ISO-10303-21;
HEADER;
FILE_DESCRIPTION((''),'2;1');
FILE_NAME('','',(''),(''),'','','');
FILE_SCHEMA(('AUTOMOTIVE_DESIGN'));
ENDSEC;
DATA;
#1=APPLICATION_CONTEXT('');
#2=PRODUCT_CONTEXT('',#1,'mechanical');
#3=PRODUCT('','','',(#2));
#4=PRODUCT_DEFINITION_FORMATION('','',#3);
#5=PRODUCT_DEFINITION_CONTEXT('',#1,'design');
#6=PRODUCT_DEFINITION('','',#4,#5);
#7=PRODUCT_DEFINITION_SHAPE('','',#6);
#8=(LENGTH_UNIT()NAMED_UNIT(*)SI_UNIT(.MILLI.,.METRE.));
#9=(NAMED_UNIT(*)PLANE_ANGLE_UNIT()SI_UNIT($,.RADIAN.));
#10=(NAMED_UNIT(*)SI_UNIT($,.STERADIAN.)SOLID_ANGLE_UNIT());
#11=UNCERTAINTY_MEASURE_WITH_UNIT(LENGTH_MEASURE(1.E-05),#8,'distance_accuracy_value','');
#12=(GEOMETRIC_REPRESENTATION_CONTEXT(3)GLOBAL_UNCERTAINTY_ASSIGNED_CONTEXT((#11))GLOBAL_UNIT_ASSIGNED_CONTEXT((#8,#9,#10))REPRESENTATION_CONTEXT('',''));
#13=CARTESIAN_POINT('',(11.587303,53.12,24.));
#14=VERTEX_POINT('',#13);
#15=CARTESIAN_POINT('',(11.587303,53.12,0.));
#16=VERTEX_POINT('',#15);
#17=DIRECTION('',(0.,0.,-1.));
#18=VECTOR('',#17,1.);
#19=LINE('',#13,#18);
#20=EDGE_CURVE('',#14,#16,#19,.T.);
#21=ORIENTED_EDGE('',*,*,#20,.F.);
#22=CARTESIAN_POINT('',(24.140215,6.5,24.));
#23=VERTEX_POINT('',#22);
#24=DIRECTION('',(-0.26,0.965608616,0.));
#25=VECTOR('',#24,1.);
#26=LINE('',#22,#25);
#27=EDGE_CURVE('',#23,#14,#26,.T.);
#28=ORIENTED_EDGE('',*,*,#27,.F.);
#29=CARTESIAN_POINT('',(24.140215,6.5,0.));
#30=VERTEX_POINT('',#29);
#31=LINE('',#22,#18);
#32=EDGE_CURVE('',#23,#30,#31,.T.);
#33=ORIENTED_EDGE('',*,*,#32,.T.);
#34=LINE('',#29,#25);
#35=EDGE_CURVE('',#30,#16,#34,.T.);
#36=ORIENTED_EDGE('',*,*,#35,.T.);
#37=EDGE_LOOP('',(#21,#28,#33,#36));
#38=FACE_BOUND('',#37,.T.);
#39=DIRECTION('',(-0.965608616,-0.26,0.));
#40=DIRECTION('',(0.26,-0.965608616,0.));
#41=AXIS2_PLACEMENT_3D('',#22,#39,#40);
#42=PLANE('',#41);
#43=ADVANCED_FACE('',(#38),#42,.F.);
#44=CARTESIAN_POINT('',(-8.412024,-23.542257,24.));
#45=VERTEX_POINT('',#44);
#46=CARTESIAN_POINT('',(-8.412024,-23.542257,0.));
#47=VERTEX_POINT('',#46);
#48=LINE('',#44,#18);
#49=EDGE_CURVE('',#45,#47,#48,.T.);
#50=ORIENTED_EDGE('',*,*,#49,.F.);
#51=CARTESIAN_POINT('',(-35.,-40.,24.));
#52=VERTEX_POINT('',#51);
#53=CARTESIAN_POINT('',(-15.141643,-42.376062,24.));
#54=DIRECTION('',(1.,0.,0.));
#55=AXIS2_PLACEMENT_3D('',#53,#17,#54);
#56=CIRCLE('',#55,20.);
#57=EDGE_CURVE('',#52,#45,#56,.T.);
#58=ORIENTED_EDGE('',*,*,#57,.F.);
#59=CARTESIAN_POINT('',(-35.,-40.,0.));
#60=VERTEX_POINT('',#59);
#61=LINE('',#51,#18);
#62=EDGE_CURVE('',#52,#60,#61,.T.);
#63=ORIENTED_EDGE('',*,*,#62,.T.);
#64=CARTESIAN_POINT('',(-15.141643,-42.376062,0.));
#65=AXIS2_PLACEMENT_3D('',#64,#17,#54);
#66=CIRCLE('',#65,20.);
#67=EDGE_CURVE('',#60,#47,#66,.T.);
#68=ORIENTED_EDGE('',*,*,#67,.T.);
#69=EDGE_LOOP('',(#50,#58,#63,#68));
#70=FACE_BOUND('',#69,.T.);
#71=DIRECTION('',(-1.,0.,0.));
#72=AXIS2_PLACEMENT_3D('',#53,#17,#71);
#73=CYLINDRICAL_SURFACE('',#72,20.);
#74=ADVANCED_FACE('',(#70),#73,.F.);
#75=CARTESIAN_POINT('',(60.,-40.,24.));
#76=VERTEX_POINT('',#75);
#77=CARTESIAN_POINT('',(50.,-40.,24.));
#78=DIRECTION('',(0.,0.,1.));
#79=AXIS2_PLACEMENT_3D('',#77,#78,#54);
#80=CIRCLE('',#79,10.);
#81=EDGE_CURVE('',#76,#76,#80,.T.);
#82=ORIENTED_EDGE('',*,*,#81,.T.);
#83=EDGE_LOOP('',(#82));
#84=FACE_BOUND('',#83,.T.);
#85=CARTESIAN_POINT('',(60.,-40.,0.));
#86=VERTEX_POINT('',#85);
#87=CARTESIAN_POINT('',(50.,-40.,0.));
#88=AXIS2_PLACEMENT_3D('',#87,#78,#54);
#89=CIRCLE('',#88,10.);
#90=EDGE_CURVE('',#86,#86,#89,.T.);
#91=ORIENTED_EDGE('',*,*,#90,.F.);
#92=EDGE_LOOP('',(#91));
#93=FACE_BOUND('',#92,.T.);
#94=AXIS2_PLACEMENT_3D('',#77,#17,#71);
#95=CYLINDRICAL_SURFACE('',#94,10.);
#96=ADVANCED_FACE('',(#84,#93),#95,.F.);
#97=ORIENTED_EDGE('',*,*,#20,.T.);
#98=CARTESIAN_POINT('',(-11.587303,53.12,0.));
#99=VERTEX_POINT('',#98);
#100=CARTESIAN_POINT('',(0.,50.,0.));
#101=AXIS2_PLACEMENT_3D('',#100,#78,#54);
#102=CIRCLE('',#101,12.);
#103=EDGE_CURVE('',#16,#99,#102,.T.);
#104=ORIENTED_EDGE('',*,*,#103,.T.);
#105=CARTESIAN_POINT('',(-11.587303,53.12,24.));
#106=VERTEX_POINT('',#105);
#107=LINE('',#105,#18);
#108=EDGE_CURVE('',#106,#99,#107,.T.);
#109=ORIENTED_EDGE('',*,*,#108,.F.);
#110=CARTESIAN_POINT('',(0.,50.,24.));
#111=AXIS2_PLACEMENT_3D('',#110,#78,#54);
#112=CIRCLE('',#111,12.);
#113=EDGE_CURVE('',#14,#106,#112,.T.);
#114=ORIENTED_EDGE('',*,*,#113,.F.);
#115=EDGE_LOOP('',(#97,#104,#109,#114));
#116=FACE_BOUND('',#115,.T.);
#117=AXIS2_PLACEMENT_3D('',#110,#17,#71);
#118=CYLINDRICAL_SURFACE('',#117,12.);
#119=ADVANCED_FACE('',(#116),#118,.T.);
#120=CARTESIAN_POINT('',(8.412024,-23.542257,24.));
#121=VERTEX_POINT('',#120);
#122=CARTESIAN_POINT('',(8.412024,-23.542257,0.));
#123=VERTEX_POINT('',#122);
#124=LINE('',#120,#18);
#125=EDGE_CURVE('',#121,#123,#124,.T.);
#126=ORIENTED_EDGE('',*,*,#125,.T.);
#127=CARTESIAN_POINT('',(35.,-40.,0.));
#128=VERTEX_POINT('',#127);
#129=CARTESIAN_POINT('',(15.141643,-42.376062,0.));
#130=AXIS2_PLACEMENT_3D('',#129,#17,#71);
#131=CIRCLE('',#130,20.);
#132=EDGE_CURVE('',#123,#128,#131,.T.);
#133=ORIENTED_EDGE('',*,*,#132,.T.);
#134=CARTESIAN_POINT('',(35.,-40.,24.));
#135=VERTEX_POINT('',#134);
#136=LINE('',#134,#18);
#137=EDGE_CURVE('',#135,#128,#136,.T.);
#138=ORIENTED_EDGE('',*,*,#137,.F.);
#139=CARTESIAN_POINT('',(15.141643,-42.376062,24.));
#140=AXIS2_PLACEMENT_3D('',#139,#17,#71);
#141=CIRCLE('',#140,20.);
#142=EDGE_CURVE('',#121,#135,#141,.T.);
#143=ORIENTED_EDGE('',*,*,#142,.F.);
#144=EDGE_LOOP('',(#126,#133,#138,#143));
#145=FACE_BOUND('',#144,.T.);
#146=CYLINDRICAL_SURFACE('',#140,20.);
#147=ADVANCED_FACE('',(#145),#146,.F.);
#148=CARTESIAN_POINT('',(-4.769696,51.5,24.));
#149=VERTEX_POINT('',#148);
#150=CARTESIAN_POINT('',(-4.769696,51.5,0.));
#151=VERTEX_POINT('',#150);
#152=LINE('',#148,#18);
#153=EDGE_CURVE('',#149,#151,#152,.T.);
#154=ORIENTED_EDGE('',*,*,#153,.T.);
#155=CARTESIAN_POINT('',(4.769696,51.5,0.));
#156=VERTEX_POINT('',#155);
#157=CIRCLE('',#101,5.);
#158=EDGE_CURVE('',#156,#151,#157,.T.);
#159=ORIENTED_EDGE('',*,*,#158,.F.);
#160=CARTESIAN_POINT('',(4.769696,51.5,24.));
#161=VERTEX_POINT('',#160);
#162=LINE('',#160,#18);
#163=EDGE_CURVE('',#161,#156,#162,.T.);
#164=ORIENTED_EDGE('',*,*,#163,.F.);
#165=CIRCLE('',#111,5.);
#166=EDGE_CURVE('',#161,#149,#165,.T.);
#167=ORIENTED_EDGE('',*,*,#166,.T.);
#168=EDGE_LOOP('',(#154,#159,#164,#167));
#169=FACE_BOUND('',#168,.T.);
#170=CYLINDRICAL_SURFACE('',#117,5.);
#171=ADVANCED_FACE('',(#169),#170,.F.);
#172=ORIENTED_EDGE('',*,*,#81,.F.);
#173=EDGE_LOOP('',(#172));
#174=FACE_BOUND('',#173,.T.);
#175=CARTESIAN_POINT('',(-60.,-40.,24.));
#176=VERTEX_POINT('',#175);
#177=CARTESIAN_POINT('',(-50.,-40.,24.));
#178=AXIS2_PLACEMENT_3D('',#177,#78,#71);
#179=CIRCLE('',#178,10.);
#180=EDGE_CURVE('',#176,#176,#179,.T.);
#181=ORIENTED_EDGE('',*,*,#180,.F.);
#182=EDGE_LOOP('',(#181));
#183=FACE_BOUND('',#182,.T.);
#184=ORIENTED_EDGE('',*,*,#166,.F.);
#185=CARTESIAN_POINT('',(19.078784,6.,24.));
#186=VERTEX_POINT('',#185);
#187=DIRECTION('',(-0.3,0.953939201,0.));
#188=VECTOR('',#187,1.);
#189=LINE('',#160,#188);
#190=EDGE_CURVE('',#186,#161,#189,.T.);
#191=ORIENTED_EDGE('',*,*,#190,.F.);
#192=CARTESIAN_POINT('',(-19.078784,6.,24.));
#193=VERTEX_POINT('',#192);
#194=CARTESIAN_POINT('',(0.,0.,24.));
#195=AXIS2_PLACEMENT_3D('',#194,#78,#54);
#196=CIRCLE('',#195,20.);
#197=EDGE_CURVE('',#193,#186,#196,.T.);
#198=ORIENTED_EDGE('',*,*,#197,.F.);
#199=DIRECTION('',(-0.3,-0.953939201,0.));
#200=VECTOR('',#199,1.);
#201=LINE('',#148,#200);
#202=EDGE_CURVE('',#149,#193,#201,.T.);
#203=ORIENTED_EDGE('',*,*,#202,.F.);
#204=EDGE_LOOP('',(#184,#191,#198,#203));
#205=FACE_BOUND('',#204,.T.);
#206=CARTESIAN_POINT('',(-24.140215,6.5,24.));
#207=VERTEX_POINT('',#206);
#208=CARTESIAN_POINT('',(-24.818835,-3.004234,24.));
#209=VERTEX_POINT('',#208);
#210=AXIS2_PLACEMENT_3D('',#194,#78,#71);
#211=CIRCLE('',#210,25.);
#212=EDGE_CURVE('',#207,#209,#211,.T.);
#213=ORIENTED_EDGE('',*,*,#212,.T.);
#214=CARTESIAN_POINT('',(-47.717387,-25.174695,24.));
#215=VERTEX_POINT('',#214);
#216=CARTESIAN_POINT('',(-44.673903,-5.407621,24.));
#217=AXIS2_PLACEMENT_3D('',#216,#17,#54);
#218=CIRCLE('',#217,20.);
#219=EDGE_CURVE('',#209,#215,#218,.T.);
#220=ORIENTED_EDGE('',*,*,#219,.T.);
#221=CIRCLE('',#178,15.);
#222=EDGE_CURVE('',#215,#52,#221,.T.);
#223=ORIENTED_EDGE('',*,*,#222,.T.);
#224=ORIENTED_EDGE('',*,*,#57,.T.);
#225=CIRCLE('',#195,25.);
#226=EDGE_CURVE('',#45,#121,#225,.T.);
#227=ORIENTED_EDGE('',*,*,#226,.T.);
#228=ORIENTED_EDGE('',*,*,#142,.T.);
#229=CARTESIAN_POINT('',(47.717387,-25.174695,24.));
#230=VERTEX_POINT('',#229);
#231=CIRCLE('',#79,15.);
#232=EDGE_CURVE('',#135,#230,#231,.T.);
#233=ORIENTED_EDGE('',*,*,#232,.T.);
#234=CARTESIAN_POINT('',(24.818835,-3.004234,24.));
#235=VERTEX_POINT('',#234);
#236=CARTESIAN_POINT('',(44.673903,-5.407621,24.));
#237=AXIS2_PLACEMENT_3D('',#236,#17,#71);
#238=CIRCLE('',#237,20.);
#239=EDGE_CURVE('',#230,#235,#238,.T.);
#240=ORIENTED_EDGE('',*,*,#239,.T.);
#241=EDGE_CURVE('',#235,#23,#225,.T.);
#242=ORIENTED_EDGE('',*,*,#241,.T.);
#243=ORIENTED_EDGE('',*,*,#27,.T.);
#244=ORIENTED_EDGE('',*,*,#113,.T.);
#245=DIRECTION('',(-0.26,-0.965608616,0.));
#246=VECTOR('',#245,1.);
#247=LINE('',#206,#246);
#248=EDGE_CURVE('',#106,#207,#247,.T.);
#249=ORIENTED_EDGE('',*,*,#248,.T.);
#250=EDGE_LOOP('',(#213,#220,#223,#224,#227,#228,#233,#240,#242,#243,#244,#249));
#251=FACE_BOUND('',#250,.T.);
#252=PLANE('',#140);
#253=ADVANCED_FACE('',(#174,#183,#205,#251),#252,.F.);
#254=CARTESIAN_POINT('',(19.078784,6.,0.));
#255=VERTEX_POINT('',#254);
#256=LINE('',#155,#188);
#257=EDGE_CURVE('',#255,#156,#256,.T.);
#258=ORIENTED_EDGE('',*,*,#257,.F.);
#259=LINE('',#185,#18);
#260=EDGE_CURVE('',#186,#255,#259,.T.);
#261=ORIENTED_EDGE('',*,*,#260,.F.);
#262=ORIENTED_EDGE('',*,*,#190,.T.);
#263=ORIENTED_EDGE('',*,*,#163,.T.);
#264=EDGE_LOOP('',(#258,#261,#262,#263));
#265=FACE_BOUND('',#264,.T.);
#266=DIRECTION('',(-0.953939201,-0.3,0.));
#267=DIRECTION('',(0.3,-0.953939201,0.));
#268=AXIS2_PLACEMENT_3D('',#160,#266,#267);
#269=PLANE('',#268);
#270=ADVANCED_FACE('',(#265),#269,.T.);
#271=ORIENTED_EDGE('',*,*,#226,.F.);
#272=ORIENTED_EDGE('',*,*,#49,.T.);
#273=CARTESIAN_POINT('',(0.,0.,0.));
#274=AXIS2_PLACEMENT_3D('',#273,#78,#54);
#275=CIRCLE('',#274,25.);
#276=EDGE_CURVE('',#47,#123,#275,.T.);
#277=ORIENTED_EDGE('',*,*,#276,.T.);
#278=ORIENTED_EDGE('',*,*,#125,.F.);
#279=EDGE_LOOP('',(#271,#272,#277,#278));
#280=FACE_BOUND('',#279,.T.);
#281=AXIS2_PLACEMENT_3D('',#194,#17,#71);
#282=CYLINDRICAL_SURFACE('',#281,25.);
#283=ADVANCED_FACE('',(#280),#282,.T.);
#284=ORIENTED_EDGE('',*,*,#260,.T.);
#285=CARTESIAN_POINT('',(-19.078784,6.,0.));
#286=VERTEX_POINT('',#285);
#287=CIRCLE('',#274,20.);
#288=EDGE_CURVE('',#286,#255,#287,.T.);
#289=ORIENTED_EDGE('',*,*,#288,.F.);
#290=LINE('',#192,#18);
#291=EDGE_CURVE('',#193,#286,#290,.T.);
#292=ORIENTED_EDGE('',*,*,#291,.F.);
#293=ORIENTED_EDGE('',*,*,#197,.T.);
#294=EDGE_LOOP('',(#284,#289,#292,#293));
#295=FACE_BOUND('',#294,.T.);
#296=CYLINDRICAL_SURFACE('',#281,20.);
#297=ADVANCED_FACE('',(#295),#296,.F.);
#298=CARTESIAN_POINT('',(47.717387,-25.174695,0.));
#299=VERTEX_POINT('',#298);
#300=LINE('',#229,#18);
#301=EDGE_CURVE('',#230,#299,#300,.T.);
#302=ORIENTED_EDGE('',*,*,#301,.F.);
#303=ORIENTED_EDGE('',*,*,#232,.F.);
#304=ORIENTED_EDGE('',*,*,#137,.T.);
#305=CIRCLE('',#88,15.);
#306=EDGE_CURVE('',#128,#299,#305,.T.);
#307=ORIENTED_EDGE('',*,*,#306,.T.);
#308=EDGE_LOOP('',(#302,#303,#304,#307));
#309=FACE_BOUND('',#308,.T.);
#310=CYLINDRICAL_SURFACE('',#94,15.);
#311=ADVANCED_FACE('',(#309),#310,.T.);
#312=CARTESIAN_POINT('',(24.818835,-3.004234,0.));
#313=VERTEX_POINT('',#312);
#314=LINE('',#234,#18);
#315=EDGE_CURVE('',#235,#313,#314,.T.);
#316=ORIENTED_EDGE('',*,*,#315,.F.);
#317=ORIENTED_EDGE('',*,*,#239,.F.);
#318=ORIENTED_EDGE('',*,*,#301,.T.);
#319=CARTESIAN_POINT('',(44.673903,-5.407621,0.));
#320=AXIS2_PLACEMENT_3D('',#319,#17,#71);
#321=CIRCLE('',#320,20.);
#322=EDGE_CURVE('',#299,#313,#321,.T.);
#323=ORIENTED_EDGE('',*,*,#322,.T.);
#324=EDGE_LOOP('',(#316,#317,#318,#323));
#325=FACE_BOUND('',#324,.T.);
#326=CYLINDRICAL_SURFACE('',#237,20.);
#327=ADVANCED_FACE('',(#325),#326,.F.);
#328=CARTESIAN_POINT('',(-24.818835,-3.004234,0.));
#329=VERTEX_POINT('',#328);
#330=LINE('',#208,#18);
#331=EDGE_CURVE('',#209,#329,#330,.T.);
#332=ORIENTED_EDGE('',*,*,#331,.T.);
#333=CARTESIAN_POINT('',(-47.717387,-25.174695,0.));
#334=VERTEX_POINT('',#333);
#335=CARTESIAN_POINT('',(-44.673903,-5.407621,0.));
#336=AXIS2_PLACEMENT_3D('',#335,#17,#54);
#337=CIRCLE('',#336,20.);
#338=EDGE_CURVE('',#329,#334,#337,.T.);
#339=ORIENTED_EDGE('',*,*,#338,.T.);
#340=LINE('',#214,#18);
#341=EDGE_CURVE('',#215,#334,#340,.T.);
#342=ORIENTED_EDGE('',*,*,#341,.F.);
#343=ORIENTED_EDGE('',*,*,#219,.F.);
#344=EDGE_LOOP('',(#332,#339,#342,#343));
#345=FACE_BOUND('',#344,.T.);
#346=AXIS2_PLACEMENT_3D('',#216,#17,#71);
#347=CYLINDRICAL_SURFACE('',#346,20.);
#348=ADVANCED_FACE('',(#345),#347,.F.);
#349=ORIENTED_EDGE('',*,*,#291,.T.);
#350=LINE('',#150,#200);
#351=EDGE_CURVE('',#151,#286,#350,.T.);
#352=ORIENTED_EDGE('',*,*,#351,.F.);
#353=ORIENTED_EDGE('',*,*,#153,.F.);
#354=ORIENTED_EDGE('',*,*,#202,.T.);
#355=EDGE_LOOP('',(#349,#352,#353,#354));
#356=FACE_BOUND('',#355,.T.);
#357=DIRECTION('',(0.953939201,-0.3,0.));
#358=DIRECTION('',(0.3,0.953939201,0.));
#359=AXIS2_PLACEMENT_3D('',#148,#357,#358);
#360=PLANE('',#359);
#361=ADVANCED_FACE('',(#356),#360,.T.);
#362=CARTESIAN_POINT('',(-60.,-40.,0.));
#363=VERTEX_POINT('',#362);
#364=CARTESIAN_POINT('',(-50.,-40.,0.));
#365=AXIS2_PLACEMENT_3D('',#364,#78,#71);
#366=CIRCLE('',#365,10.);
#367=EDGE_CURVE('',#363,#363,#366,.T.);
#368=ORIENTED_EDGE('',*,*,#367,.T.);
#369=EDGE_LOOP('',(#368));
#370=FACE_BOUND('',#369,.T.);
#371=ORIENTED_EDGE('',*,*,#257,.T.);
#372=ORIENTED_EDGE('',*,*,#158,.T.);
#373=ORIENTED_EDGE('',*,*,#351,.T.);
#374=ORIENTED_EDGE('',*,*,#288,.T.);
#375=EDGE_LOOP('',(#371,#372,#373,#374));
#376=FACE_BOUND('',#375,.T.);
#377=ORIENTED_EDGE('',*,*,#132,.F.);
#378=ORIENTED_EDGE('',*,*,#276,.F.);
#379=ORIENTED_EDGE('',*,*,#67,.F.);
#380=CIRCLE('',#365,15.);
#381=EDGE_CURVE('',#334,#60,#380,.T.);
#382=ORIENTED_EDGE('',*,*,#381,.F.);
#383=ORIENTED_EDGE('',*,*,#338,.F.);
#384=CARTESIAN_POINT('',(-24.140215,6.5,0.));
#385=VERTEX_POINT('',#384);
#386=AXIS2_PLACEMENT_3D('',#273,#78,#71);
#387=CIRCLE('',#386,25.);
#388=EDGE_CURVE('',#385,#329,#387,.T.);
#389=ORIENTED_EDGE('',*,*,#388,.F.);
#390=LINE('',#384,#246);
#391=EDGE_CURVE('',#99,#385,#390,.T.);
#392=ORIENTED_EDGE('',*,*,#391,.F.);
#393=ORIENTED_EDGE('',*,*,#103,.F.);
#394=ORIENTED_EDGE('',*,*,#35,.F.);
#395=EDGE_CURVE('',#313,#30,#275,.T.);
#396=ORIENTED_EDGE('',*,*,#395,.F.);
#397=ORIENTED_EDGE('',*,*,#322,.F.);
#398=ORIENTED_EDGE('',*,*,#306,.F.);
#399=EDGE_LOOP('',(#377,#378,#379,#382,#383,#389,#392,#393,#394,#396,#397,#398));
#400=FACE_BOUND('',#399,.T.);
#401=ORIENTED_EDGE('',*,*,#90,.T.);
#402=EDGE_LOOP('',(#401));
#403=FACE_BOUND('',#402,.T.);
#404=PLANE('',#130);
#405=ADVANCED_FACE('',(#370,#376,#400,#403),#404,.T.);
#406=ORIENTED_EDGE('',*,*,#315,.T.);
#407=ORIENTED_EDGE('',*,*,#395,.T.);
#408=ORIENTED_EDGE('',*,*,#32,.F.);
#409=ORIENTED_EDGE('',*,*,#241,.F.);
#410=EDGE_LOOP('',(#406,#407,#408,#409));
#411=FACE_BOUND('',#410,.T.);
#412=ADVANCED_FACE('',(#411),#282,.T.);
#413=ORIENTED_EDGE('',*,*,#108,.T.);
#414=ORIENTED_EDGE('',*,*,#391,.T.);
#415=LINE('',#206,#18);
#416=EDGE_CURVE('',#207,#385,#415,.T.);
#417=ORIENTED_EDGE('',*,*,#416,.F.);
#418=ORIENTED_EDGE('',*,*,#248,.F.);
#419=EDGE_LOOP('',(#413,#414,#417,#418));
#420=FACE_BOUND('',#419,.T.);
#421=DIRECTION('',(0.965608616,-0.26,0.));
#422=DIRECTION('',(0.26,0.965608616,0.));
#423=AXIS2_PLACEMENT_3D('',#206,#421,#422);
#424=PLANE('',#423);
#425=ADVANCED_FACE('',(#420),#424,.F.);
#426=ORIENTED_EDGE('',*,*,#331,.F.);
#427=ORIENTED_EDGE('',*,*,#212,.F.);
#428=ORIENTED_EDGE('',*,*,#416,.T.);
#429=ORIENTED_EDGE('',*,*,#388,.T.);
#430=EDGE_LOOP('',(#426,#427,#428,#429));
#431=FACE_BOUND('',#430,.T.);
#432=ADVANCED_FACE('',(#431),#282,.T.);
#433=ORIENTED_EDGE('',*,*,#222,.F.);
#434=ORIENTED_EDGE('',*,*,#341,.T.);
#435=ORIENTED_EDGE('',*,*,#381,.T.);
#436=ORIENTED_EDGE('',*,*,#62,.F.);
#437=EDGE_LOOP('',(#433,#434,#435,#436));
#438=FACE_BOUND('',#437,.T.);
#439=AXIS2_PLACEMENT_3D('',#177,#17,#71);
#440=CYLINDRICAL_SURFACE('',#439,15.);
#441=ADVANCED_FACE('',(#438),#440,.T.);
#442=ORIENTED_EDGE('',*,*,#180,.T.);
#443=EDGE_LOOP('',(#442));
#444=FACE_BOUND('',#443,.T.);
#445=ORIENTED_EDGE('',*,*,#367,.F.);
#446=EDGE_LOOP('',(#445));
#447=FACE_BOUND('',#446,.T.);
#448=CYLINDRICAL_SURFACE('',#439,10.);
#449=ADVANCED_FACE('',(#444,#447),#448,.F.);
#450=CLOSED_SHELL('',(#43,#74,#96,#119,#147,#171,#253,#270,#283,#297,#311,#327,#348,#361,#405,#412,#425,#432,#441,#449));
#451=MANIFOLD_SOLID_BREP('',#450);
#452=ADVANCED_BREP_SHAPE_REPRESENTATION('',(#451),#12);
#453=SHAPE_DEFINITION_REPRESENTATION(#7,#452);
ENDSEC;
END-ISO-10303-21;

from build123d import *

# Parameters (mm, degrees)
SKETCH1_R           = 10
BOSS_EXTRUDE1_DEPTH = 24


with BuildPart() as part:
    # Sketch1 → Boss-Extrude1 (new body)
    with BuildSketch(Plane.XY):
        with BuildLine():
            Line((24.140215409, 6.5), (11.587303396, 53.12))
            ThreePointArc((11.587303396, 53.12), (0, 62), (-11.587303396, 53.12))
            Line((-11.587303396, 53.12), (-24.140215409, 6.5))
            ThreePointArc((-24.140215409, 6.5), (-24.936514863, 1.780512988), (-24.81883517, -3.004233816))
            ThreePointArc((-24.81883517, -3.004233816), (-30.762049538, -19.776348187), (-47.717387131, -25.174694658))
            ThreePointArc((-47.717387131, -25.174694658), (-61.385060233, -49.766289136), (-35, -40))
            ThreePointArc((-35, -40), (-25.668051324, -25.370335536), (-8.412024081, -23.542256707))
            ThreePointArc((-8.412024081, -23.542256707), (0, -25), (8.412024081, -23.542256707))
            ThreePointArc((8.412024081, -23.542256707), (25.668051324, -25.370335536), (35, -40))
            ThreePointArc((35, -40), (61.385060233, -49.766289136), (47.717387131, -25.174694658))
            ThreePointArc((47.717387131, -25.174694658), (30.762049538, -19.776348187), (24.81883517, -3.004233816))
            ThreePointArc((24.81883517, -3.004233816), (24.936514863, 1.780512988), (24.140215409, 6.5))
        make_face()
        with Locations((50, -40)):
            Circle(SKETCH1_R, mode=Mode.SUBTRACT)
        with Locations(Location((-50, -40, 0), (0, 0, 180))):
            Circle(SKETCH1_R, mode=Mode.SUBTRACT)
        with BuildLine():
            Line((4.769696007, 51.5), (19.078784028, 6))
            ThreePointArc((19.078784028, 6), (0, -20), (-19.078784028, 6))
            Line((-19.078784028, 6), (-4.769696007, 51.5))
            ThreePointArc((-4.769696007, 51.5), (0, 55), (4.769696007, 51.5))
        make_face(mode=Mode.SUBTRACT)
    extrude(amount=BOSS_EXTRUDE1_DEPTH)


solid = part.part
